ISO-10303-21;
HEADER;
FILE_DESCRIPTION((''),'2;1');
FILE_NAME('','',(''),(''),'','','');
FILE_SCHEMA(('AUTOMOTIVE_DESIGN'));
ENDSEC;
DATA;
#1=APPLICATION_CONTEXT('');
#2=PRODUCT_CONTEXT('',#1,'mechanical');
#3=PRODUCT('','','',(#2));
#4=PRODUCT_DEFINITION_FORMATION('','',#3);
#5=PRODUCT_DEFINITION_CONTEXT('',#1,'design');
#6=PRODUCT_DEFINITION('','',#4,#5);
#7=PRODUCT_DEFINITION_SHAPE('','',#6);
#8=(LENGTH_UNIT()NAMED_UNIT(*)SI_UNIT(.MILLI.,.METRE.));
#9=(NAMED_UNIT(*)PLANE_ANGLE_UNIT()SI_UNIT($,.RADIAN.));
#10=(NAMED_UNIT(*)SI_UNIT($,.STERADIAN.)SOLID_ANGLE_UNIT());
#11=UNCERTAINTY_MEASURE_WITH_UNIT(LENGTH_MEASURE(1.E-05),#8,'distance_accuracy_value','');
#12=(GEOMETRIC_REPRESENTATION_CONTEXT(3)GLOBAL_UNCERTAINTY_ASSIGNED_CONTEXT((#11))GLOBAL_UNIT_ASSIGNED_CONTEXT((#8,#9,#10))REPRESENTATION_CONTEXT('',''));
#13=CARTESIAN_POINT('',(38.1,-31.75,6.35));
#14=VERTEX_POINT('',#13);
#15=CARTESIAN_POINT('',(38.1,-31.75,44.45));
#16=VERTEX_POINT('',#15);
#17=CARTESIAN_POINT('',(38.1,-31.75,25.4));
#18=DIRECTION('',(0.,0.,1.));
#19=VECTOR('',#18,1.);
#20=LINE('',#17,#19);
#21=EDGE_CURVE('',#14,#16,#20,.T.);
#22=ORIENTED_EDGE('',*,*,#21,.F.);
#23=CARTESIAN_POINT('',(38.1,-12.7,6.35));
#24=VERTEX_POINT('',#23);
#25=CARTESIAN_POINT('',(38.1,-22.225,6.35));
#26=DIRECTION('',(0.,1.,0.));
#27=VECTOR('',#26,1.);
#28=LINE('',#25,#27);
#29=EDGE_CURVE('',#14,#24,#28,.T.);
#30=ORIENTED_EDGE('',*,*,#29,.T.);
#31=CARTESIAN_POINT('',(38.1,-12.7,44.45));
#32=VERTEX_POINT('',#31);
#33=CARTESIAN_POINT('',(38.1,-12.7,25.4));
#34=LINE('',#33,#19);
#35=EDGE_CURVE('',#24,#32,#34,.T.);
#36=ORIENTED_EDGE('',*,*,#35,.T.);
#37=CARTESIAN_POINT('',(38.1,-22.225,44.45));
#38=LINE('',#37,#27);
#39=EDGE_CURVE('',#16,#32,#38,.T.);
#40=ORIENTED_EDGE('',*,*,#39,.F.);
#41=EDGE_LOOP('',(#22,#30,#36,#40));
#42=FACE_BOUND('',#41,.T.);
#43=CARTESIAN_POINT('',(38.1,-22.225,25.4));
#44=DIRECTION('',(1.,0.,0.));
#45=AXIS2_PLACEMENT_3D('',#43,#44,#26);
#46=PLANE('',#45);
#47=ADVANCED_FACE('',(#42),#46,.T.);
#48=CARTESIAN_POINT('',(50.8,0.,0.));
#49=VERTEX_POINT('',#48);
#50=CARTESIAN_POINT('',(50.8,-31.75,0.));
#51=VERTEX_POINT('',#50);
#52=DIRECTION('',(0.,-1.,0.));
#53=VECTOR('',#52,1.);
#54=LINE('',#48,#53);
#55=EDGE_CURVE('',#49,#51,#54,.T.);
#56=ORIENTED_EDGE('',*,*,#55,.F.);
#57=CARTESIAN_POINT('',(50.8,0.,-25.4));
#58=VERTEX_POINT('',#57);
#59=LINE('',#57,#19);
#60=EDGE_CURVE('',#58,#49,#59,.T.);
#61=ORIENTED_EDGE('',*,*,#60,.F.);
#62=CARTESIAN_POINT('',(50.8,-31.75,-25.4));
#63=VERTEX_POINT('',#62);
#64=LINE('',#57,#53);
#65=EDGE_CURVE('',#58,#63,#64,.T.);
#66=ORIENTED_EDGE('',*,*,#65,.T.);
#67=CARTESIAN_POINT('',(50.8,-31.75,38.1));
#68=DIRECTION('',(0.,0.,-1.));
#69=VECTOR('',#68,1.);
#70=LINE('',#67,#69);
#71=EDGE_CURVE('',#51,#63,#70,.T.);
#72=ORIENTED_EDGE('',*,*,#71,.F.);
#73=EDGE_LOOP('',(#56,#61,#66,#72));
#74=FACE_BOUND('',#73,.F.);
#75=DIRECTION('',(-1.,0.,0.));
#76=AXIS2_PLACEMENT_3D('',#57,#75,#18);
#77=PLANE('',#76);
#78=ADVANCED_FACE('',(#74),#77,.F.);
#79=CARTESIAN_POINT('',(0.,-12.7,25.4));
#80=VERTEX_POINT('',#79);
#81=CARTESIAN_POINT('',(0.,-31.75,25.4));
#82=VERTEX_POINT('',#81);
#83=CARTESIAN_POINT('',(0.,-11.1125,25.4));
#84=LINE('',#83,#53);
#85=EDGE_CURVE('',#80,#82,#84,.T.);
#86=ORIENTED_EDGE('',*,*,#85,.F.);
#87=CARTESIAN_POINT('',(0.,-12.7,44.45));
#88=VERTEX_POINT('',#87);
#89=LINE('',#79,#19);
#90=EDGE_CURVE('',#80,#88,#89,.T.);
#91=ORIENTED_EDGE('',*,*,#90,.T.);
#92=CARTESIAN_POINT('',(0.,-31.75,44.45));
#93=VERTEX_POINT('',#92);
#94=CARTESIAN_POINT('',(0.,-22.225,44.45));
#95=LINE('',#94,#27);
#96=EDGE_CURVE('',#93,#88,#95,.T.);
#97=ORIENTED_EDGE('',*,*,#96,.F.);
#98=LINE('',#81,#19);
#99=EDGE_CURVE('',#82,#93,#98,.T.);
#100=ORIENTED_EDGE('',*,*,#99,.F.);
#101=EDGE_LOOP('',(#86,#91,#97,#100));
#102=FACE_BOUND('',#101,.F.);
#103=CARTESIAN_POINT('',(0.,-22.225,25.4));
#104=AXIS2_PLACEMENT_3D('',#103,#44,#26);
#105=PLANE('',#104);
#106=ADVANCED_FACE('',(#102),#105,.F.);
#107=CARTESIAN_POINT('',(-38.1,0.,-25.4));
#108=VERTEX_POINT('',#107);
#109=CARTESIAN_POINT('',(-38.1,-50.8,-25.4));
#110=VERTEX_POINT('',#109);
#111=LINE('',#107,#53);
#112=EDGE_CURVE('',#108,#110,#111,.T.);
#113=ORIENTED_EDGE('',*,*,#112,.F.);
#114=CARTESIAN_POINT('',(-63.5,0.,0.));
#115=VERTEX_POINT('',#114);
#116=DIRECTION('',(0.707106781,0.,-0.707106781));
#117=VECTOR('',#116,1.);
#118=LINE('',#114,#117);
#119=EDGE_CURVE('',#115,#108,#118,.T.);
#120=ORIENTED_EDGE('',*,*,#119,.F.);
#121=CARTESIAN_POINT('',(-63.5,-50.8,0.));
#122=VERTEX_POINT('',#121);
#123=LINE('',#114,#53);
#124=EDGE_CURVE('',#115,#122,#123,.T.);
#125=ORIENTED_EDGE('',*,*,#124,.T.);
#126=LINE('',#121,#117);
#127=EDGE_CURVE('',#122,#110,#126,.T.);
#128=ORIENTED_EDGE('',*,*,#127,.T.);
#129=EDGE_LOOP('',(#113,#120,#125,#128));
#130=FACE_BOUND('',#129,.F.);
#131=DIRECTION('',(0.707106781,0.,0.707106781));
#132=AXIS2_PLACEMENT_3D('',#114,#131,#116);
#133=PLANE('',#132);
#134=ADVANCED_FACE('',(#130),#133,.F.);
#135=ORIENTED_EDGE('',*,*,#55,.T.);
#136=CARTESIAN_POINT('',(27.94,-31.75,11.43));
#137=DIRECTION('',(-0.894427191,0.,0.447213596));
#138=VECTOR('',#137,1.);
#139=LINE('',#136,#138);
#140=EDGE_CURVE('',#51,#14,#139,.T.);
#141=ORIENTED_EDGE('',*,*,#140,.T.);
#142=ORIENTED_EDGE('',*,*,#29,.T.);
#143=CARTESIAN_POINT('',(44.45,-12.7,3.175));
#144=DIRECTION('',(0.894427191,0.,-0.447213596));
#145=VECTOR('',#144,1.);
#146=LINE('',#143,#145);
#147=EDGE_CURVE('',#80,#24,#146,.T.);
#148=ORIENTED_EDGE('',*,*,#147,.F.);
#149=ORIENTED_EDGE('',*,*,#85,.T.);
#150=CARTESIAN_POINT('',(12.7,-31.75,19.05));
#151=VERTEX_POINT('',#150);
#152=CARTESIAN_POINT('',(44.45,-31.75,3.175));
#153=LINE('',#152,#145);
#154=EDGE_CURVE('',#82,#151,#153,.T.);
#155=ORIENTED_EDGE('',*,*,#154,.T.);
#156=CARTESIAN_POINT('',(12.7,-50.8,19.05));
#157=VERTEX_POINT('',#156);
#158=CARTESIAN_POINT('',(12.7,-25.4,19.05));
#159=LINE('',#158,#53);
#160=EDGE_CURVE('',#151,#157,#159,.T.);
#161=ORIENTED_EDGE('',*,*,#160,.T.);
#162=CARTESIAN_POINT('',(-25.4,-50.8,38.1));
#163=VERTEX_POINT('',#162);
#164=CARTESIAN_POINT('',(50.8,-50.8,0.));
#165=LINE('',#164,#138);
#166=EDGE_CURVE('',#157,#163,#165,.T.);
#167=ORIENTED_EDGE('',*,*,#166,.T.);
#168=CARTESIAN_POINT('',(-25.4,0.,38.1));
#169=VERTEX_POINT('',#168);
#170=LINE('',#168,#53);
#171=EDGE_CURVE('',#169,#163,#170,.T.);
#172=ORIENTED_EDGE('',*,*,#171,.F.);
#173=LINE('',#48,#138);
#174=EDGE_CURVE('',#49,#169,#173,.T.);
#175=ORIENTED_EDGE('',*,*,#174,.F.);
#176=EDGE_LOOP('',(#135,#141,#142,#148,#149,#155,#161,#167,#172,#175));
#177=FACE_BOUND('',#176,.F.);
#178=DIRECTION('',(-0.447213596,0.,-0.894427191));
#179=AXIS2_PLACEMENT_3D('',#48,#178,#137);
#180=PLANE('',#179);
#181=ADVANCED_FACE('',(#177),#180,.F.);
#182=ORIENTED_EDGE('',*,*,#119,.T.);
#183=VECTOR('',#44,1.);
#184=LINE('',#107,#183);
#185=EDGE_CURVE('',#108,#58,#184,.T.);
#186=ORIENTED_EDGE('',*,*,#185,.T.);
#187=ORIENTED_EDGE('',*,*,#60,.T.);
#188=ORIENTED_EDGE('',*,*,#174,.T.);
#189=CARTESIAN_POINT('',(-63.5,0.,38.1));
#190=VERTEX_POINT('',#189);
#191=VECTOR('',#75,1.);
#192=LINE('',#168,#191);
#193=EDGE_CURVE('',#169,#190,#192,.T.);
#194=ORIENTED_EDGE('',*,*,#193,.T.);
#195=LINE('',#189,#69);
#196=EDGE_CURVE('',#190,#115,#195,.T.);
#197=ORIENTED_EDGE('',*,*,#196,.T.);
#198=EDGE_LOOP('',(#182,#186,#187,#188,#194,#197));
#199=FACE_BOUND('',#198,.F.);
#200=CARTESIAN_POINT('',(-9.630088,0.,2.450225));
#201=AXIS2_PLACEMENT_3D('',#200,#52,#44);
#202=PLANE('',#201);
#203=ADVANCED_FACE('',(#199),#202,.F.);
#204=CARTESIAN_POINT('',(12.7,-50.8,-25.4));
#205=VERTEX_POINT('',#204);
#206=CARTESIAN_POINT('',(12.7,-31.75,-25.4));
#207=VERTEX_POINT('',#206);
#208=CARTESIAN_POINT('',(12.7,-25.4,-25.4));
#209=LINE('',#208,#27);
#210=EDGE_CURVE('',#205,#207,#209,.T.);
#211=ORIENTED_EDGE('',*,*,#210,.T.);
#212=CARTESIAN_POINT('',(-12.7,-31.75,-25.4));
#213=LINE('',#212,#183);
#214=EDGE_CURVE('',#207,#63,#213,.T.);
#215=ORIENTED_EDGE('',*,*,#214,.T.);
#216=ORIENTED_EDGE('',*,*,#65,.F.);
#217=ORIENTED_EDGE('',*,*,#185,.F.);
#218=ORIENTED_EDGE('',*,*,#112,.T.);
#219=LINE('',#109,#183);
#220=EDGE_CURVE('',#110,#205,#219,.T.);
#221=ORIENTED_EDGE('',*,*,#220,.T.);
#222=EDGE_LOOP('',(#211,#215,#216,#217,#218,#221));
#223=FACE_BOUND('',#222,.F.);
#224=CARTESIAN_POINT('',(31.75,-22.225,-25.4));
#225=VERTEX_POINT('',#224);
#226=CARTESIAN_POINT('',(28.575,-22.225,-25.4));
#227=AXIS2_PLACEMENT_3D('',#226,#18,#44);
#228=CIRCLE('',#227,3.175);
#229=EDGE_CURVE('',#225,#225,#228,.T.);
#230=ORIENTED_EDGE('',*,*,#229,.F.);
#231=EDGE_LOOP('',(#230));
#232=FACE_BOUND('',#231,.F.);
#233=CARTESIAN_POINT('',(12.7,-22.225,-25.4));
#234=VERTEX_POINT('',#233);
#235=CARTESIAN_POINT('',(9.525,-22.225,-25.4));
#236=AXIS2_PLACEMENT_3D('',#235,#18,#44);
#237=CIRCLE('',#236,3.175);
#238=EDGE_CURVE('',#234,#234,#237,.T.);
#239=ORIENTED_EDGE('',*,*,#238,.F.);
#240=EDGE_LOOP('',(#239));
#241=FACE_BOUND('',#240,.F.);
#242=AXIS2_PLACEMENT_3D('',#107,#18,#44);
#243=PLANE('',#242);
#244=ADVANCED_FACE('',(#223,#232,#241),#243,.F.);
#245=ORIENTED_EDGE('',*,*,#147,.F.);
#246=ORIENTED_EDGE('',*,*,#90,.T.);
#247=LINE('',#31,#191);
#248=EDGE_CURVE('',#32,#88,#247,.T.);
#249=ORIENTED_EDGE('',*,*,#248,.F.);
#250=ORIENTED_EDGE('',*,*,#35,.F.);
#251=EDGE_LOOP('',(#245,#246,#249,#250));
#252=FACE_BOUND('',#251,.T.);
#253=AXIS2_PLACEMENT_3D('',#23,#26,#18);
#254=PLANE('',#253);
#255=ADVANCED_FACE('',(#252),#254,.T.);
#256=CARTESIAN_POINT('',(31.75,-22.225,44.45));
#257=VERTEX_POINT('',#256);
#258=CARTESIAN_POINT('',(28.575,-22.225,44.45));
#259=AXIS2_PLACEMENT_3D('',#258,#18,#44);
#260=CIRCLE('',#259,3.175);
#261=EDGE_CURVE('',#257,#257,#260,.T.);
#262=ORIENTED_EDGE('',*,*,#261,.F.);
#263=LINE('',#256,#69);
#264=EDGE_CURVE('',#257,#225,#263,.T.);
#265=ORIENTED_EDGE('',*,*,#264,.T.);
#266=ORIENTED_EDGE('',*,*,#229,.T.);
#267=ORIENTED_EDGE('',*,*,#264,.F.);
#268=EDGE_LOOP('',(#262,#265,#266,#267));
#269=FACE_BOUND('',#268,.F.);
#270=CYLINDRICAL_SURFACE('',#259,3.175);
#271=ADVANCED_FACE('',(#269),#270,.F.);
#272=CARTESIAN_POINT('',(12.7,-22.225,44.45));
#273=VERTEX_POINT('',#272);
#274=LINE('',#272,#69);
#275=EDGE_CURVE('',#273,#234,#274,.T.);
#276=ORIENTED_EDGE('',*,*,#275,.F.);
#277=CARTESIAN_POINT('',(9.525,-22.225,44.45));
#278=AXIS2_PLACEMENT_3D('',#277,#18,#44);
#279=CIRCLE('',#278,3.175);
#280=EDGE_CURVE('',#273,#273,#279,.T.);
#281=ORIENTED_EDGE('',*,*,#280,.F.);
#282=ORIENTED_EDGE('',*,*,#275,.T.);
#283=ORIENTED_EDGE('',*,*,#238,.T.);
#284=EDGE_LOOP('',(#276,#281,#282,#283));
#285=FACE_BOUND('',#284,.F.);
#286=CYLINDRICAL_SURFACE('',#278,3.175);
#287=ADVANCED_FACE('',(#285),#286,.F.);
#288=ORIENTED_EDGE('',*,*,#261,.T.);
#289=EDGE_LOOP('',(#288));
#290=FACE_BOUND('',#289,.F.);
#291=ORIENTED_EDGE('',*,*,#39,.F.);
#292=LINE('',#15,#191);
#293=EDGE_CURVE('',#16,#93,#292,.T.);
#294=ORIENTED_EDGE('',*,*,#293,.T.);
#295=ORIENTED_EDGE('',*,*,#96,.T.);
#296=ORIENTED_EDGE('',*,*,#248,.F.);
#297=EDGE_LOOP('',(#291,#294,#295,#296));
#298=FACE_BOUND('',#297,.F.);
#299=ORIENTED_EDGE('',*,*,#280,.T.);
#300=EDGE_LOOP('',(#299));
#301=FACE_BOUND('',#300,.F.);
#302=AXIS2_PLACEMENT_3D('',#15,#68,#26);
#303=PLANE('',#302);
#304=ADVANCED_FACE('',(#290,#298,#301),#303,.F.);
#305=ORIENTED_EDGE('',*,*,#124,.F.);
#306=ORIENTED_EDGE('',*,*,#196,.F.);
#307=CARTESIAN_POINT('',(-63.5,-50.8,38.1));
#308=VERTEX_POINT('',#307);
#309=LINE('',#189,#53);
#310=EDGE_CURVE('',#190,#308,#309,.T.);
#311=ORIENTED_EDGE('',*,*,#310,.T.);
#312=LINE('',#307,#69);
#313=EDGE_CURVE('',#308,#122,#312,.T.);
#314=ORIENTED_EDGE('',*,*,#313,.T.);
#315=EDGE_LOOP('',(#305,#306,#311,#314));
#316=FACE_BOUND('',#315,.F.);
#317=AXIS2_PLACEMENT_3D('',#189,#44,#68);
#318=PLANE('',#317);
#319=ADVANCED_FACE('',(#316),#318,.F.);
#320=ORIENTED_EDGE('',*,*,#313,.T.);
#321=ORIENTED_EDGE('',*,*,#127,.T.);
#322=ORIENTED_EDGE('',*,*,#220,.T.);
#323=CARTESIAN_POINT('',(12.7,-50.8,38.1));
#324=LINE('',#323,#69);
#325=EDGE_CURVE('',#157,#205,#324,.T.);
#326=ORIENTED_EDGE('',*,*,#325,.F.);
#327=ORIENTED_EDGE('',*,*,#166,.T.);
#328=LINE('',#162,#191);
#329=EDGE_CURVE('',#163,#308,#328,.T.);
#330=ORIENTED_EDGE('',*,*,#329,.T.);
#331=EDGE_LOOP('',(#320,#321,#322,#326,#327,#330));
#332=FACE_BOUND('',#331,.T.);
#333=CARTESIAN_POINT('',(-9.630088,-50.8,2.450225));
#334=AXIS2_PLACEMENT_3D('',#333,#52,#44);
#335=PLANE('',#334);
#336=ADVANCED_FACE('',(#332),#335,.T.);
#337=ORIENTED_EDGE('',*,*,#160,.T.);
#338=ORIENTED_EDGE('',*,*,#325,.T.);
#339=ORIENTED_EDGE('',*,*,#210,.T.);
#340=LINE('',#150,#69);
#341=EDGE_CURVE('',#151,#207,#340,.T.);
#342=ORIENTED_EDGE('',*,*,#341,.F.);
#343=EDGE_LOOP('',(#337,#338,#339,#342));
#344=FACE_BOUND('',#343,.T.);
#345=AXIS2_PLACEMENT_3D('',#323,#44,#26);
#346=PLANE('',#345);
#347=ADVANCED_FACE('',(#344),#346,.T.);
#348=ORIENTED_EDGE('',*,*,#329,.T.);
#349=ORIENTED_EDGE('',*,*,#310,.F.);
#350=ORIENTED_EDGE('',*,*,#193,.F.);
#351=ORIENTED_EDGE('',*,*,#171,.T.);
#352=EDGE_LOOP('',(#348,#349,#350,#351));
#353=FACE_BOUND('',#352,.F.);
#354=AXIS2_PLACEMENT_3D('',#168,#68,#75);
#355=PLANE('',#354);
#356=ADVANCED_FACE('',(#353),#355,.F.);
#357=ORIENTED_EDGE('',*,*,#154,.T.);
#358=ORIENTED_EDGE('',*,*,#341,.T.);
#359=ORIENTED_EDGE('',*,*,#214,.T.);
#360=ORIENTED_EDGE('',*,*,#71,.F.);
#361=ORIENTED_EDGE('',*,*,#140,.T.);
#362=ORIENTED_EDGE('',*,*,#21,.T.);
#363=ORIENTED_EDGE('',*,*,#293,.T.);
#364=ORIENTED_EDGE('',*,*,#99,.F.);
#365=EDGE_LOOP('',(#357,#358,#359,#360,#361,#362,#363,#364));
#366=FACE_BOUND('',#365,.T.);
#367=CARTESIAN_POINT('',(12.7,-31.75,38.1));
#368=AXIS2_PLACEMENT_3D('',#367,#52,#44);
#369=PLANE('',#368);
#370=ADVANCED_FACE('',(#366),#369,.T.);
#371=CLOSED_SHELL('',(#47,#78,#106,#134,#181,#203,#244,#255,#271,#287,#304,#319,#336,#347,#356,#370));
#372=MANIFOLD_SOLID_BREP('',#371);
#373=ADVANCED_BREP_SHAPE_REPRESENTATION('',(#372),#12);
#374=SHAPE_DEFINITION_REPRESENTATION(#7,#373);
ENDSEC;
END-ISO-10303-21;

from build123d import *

# Parameters (mm, degrees)
F1_DEPTH = 50.8
F2_W     = 38.1
F2_H     = 19.05
F3_DEPTH = 63.501
F5_W     = 19.05
F5_H     = 38.1
F6_DEPTH = 38.1
F7_R     = 3.175
F8_DEPTH = 69.851


with BuildPart() as f1:
    # F0 (on Front) → F1 (new body)
    with BuildSketch(Plane.XZ):
        Polygon((-25.4, 38.1), (-63.5, 38.1), (-63.5, 0), (-38.1, -25.4), (50.8, -25.4), (50.8, 0), align=None)
    extrude(amount=F1_DEPTH)

    # F2 (on face) → F3 (cut, through all)
    with BuildSketch(Plane.XY.offset(38.1)):
        with Locations((31.75, -41.275)):
            Rectangle(F2_W, F2_H)
    extrude(amount=-F3_DEPTH, mode=Mode.SUBTRACT)

    # F5 (on offset) → F6 (join)
    with BuildSketch(Plane.YZ.offset(38.1)):
        with Locations((-22.225, 25.4)):
            Rectangle(F5_W, F5_H)
    extrude(amount=-F6_DEPTH)

    # F7 (on face) → F8 (cut, through all)
    with BuildSketch(Plane.XY.offset(44.45)):
        with Locations((9.525, -22.225)):
            Circle(F7_R)
        with Locations((28.575, -22.225)):
            Circle(F7_R)
    extrude(amount=-F8_DEPTH, mode=Mode.SUBTRACT)


solid = f1.part
